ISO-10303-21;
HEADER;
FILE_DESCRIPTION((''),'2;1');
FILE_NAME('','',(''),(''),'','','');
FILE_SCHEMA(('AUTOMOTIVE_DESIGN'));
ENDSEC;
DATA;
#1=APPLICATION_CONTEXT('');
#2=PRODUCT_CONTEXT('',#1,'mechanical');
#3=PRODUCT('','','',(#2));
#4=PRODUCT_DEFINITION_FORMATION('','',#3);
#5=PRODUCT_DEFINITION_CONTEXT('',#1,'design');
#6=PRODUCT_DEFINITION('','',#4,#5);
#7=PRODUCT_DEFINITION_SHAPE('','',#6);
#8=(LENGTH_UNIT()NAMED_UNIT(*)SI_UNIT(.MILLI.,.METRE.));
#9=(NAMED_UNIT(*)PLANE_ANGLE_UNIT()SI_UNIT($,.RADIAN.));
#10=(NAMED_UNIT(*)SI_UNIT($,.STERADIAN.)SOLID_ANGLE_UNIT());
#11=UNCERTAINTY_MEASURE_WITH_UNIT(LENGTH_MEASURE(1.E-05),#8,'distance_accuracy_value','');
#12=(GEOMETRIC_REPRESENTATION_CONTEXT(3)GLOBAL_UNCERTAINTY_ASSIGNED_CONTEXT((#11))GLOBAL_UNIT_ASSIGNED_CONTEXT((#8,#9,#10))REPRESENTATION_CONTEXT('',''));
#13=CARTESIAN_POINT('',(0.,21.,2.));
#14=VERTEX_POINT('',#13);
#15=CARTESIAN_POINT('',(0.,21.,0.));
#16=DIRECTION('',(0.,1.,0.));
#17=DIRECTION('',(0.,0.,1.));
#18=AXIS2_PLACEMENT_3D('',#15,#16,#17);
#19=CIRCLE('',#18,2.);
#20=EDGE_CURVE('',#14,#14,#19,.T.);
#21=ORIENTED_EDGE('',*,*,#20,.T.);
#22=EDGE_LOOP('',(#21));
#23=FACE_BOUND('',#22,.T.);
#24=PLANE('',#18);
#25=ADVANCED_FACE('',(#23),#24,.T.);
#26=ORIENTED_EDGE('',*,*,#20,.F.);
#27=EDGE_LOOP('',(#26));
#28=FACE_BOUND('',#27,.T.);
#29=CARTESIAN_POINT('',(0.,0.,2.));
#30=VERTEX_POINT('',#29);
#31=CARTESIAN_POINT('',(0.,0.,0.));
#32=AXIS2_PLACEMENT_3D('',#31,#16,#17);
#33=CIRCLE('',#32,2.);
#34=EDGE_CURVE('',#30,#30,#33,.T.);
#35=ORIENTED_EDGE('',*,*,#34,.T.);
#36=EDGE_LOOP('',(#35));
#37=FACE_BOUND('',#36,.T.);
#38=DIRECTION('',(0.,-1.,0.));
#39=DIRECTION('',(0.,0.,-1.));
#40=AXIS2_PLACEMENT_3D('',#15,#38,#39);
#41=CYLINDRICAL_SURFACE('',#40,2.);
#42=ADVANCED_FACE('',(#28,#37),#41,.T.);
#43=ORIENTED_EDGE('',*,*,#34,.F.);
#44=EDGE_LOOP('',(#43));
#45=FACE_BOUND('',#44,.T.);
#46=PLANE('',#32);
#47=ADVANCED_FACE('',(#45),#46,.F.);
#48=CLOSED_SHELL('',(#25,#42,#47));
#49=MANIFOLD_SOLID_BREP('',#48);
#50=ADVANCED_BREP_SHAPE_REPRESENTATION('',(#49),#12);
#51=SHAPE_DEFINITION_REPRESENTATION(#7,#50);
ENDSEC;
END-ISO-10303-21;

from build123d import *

# Parameters (mm, degrees)
SKETCH1_R           = 2
BOSS_EXTRUDE1_DEPTH = 21


with BuildPart() as part:
    # Sketch1 → Boss-Extrude1 (new body)
    with BuildSketch(Plane(origin=(0, 0, 0), x_dir=(1, 0, 0), z_dir=(0, 1, 0))):
        Circle(SKETCH1_R)
    extrude(amount=BOSS_EXTRUDE1_DEPTH)


solid = part.part
